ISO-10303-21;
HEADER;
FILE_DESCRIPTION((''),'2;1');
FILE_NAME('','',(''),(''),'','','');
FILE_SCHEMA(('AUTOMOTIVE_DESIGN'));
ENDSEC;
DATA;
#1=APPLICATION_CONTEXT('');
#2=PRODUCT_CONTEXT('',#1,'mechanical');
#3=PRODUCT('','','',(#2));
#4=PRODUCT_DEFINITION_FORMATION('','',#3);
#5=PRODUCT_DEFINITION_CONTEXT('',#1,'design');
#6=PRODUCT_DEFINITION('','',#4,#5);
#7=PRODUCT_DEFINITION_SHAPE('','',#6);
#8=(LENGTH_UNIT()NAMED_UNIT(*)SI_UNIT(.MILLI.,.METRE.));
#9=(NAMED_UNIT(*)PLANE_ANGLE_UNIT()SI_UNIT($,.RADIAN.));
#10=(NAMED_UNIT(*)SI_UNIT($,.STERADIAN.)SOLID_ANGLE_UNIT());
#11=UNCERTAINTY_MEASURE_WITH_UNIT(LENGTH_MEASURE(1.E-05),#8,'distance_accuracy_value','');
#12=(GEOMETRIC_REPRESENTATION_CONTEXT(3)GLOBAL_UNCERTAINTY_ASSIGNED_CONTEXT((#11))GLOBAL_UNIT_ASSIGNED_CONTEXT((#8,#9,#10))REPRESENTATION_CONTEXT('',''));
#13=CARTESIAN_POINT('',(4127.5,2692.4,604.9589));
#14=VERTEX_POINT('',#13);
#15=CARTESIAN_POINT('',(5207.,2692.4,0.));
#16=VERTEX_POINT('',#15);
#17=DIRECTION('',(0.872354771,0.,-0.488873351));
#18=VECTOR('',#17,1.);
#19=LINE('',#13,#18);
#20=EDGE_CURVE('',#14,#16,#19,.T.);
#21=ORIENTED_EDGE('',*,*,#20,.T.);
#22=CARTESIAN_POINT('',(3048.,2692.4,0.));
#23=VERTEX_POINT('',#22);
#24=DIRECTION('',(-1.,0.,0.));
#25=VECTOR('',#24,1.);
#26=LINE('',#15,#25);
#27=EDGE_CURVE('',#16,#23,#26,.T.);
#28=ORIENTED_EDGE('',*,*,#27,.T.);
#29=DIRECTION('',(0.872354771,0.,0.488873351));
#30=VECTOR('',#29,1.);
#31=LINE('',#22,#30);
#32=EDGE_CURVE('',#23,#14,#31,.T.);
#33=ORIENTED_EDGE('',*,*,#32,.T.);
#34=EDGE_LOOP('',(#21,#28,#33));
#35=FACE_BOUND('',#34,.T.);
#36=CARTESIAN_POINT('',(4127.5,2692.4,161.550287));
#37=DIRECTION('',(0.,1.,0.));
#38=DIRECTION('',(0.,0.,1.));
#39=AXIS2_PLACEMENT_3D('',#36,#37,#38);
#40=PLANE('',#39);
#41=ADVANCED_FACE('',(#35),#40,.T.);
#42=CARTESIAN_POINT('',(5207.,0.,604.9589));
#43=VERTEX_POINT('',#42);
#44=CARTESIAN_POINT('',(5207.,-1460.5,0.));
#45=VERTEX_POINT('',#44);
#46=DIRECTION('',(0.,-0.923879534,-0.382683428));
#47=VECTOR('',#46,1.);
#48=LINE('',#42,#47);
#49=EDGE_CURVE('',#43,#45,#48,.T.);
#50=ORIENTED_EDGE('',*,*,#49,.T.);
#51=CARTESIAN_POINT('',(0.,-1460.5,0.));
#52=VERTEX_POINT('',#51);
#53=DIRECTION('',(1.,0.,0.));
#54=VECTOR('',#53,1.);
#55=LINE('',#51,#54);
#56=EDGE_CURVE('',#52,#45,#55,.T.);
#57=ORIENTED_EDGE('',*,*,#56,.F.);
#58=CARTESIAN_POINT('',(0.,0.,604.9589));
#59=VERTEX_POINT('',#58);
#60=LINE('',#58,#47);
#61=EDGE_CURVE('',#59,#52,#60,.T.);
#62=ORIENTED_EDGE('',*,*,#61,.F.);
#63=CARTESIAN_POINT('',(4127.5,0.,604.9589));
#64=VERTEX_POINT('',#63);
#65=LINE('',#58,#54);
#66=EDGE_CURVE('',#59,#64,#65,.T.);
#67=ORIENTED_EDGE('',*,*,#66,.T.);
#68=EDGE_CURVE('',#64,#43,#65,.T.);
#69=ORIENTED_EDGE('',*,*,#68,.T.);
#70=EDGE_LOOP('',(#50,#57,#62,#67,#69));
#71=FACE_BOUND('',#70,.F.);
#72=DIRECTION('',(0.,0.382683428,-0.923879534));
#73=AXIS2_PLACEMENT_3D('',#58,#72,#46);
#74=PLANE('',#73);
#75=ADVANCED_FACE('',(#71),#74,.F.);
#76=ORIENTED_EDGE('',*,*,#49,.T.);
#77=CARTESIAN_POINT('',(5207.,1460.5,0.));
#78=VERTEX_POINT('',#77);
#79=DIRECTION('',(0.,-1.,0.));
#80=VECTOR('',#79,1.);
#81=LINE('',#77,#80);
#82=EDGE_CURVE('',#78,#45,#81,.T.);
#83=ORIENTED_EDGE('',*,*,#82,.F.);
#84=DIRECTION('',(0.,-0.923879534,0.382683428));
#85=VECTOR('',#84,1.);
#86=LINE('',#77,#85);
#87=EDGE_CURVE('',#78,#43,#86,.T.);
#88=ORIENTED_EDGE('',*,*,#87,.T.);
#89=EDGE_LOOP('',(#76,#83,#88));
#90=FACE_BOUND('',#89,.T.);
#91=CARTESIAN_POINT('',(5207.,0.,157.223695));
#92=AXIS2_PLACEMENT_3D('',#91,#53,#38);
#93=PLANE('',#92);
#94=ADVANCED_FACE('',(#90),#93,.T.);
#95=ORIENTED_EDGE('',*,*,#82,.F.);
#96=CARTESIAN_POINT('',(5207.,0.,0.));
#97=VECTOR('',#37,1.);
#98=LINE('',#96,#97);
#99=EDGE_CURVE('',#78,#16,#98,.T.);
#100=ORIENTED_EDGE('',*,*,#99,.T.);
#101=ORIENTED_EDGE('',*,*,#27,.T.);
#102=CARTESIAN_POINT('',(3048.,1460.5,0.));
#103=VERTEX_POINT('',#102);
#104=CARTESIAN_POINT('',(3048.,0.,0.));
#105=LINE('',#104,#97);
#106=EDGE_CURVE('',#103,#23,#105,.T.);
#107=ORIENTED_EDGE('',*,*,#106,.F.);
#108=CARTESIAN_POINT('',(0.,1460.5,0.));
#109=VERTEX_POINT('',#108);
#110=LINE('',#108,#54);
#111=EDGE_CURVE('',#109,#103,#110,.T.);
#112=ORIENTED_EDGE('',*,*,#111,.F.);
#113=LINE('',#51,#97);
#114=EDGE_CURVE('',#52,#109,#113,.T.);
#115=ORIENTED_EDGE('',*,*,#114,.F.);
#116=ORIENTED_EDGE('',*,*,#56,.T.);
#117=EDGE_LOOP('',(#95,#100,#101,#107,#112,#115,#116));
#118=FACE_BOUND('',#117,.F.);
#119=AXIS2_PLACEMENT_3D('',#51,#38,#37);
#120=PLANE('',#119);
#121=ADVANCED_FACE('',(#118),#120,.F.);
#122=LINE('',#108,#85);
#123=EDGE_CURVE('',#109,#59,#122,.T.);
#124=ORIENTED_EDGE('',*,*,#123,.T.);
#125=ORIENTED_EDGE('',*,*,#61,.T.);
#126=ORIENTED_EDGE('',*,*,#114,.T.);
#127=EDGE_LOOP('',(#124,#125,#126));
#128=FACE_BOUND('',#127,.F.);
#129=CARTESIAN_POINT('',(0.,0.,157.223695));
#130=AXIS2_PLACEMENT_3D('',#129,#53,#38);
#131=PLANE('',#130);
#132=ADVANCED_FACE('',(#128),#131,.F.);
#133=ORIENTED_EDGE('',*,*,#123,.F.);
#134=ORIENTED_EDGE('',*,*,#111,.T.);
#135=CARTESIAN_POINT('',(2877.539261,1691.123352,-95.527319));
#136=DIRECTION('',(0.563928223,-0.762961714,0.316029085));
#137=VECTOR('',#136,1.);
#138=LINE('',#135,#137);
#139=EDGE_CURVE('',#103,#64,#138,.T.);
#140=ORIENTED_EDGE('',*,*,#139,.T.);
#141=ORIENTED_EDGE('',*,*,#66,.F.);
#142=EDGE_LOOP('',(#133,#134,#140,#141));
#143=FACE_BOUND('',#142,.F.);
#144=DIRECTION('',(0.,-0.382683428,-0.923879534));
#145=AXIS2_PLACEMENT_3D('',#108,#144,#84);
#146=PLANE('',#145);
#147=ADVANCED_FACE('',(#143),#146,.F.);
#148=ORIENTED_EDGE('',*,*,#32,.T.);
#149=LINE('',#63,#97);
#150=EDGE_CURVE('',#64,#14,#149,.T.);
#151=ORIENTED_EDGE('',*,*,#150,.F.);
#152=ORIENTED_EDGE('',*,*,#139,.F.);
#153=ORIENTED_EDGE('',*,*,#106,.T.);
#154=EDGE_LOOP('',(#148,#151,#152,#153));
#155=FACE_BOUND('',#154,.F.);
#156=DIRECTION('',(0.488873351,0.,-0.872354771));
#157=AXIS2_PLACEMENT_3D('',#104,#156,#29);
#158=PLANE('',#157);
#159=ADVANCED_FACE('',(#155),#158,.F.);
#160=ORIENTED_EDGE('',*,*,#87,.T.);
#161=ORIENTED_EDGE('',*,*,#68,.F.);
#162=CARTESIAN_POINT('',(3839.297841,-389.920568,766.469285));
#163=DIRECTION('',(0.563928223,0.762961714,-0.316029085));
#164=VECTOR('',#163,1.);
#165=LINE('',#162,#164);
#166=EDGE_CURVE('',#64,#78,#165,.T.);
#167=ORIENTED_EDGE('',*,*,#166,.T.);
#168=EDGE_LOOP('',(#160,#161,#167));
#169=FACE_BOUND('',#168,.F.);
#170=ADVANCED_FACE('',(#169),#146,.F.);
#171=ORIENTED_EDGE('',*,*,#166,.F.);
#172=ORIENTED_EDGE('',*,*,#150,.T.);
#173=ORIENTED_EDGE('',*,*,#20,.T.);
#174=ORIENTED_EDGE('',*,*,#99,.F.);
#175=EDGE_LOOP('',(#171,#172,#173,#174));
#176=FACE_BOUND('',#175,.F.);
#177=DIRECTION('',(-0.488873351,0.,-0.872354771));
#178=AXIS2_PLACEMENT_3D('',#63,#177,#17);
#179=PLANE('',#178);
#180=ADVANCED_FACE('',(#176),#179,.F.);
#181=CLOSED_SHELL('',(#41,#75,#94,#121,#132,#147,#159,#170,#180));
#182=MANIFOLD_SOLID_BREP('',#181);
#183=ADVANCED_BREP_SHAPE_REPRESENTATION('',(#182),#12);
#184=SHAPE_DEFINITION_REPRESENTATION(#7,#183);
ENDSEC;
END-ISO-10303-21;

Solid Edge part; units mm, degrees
sketch "Sketch1" plane through (0, 0, 0) normal (1, 0, 0) x (0, 1, 0)
  line L0 (-1460.5, 0) -> (1460.5, 0)
  line L1 (1460.5, 0) -> (0, 604.9589)
  line L2 (0, 604.9589) -> (-1460.5, 0)
  dimension "D1" = 2921
extrude "Protrusion1" add sketch "Sketch1" along normal blind 5207
sketch "Sketch2" plane through (0, 0, 0) normal (0, -1, 0) x (1, 0, 0)
  line L0 (3048, 0) -> (4127.5, 604.9589)
  line L1 (4127.5, 604.9589) -> (5207, 0)
  line L2 (5207, 0) -> (3048, 0)
  dimension "D1" = 2159
extrude "ExtrudedProtrusion_2" add sketch "Sketch2" against normal blind 2692.4
